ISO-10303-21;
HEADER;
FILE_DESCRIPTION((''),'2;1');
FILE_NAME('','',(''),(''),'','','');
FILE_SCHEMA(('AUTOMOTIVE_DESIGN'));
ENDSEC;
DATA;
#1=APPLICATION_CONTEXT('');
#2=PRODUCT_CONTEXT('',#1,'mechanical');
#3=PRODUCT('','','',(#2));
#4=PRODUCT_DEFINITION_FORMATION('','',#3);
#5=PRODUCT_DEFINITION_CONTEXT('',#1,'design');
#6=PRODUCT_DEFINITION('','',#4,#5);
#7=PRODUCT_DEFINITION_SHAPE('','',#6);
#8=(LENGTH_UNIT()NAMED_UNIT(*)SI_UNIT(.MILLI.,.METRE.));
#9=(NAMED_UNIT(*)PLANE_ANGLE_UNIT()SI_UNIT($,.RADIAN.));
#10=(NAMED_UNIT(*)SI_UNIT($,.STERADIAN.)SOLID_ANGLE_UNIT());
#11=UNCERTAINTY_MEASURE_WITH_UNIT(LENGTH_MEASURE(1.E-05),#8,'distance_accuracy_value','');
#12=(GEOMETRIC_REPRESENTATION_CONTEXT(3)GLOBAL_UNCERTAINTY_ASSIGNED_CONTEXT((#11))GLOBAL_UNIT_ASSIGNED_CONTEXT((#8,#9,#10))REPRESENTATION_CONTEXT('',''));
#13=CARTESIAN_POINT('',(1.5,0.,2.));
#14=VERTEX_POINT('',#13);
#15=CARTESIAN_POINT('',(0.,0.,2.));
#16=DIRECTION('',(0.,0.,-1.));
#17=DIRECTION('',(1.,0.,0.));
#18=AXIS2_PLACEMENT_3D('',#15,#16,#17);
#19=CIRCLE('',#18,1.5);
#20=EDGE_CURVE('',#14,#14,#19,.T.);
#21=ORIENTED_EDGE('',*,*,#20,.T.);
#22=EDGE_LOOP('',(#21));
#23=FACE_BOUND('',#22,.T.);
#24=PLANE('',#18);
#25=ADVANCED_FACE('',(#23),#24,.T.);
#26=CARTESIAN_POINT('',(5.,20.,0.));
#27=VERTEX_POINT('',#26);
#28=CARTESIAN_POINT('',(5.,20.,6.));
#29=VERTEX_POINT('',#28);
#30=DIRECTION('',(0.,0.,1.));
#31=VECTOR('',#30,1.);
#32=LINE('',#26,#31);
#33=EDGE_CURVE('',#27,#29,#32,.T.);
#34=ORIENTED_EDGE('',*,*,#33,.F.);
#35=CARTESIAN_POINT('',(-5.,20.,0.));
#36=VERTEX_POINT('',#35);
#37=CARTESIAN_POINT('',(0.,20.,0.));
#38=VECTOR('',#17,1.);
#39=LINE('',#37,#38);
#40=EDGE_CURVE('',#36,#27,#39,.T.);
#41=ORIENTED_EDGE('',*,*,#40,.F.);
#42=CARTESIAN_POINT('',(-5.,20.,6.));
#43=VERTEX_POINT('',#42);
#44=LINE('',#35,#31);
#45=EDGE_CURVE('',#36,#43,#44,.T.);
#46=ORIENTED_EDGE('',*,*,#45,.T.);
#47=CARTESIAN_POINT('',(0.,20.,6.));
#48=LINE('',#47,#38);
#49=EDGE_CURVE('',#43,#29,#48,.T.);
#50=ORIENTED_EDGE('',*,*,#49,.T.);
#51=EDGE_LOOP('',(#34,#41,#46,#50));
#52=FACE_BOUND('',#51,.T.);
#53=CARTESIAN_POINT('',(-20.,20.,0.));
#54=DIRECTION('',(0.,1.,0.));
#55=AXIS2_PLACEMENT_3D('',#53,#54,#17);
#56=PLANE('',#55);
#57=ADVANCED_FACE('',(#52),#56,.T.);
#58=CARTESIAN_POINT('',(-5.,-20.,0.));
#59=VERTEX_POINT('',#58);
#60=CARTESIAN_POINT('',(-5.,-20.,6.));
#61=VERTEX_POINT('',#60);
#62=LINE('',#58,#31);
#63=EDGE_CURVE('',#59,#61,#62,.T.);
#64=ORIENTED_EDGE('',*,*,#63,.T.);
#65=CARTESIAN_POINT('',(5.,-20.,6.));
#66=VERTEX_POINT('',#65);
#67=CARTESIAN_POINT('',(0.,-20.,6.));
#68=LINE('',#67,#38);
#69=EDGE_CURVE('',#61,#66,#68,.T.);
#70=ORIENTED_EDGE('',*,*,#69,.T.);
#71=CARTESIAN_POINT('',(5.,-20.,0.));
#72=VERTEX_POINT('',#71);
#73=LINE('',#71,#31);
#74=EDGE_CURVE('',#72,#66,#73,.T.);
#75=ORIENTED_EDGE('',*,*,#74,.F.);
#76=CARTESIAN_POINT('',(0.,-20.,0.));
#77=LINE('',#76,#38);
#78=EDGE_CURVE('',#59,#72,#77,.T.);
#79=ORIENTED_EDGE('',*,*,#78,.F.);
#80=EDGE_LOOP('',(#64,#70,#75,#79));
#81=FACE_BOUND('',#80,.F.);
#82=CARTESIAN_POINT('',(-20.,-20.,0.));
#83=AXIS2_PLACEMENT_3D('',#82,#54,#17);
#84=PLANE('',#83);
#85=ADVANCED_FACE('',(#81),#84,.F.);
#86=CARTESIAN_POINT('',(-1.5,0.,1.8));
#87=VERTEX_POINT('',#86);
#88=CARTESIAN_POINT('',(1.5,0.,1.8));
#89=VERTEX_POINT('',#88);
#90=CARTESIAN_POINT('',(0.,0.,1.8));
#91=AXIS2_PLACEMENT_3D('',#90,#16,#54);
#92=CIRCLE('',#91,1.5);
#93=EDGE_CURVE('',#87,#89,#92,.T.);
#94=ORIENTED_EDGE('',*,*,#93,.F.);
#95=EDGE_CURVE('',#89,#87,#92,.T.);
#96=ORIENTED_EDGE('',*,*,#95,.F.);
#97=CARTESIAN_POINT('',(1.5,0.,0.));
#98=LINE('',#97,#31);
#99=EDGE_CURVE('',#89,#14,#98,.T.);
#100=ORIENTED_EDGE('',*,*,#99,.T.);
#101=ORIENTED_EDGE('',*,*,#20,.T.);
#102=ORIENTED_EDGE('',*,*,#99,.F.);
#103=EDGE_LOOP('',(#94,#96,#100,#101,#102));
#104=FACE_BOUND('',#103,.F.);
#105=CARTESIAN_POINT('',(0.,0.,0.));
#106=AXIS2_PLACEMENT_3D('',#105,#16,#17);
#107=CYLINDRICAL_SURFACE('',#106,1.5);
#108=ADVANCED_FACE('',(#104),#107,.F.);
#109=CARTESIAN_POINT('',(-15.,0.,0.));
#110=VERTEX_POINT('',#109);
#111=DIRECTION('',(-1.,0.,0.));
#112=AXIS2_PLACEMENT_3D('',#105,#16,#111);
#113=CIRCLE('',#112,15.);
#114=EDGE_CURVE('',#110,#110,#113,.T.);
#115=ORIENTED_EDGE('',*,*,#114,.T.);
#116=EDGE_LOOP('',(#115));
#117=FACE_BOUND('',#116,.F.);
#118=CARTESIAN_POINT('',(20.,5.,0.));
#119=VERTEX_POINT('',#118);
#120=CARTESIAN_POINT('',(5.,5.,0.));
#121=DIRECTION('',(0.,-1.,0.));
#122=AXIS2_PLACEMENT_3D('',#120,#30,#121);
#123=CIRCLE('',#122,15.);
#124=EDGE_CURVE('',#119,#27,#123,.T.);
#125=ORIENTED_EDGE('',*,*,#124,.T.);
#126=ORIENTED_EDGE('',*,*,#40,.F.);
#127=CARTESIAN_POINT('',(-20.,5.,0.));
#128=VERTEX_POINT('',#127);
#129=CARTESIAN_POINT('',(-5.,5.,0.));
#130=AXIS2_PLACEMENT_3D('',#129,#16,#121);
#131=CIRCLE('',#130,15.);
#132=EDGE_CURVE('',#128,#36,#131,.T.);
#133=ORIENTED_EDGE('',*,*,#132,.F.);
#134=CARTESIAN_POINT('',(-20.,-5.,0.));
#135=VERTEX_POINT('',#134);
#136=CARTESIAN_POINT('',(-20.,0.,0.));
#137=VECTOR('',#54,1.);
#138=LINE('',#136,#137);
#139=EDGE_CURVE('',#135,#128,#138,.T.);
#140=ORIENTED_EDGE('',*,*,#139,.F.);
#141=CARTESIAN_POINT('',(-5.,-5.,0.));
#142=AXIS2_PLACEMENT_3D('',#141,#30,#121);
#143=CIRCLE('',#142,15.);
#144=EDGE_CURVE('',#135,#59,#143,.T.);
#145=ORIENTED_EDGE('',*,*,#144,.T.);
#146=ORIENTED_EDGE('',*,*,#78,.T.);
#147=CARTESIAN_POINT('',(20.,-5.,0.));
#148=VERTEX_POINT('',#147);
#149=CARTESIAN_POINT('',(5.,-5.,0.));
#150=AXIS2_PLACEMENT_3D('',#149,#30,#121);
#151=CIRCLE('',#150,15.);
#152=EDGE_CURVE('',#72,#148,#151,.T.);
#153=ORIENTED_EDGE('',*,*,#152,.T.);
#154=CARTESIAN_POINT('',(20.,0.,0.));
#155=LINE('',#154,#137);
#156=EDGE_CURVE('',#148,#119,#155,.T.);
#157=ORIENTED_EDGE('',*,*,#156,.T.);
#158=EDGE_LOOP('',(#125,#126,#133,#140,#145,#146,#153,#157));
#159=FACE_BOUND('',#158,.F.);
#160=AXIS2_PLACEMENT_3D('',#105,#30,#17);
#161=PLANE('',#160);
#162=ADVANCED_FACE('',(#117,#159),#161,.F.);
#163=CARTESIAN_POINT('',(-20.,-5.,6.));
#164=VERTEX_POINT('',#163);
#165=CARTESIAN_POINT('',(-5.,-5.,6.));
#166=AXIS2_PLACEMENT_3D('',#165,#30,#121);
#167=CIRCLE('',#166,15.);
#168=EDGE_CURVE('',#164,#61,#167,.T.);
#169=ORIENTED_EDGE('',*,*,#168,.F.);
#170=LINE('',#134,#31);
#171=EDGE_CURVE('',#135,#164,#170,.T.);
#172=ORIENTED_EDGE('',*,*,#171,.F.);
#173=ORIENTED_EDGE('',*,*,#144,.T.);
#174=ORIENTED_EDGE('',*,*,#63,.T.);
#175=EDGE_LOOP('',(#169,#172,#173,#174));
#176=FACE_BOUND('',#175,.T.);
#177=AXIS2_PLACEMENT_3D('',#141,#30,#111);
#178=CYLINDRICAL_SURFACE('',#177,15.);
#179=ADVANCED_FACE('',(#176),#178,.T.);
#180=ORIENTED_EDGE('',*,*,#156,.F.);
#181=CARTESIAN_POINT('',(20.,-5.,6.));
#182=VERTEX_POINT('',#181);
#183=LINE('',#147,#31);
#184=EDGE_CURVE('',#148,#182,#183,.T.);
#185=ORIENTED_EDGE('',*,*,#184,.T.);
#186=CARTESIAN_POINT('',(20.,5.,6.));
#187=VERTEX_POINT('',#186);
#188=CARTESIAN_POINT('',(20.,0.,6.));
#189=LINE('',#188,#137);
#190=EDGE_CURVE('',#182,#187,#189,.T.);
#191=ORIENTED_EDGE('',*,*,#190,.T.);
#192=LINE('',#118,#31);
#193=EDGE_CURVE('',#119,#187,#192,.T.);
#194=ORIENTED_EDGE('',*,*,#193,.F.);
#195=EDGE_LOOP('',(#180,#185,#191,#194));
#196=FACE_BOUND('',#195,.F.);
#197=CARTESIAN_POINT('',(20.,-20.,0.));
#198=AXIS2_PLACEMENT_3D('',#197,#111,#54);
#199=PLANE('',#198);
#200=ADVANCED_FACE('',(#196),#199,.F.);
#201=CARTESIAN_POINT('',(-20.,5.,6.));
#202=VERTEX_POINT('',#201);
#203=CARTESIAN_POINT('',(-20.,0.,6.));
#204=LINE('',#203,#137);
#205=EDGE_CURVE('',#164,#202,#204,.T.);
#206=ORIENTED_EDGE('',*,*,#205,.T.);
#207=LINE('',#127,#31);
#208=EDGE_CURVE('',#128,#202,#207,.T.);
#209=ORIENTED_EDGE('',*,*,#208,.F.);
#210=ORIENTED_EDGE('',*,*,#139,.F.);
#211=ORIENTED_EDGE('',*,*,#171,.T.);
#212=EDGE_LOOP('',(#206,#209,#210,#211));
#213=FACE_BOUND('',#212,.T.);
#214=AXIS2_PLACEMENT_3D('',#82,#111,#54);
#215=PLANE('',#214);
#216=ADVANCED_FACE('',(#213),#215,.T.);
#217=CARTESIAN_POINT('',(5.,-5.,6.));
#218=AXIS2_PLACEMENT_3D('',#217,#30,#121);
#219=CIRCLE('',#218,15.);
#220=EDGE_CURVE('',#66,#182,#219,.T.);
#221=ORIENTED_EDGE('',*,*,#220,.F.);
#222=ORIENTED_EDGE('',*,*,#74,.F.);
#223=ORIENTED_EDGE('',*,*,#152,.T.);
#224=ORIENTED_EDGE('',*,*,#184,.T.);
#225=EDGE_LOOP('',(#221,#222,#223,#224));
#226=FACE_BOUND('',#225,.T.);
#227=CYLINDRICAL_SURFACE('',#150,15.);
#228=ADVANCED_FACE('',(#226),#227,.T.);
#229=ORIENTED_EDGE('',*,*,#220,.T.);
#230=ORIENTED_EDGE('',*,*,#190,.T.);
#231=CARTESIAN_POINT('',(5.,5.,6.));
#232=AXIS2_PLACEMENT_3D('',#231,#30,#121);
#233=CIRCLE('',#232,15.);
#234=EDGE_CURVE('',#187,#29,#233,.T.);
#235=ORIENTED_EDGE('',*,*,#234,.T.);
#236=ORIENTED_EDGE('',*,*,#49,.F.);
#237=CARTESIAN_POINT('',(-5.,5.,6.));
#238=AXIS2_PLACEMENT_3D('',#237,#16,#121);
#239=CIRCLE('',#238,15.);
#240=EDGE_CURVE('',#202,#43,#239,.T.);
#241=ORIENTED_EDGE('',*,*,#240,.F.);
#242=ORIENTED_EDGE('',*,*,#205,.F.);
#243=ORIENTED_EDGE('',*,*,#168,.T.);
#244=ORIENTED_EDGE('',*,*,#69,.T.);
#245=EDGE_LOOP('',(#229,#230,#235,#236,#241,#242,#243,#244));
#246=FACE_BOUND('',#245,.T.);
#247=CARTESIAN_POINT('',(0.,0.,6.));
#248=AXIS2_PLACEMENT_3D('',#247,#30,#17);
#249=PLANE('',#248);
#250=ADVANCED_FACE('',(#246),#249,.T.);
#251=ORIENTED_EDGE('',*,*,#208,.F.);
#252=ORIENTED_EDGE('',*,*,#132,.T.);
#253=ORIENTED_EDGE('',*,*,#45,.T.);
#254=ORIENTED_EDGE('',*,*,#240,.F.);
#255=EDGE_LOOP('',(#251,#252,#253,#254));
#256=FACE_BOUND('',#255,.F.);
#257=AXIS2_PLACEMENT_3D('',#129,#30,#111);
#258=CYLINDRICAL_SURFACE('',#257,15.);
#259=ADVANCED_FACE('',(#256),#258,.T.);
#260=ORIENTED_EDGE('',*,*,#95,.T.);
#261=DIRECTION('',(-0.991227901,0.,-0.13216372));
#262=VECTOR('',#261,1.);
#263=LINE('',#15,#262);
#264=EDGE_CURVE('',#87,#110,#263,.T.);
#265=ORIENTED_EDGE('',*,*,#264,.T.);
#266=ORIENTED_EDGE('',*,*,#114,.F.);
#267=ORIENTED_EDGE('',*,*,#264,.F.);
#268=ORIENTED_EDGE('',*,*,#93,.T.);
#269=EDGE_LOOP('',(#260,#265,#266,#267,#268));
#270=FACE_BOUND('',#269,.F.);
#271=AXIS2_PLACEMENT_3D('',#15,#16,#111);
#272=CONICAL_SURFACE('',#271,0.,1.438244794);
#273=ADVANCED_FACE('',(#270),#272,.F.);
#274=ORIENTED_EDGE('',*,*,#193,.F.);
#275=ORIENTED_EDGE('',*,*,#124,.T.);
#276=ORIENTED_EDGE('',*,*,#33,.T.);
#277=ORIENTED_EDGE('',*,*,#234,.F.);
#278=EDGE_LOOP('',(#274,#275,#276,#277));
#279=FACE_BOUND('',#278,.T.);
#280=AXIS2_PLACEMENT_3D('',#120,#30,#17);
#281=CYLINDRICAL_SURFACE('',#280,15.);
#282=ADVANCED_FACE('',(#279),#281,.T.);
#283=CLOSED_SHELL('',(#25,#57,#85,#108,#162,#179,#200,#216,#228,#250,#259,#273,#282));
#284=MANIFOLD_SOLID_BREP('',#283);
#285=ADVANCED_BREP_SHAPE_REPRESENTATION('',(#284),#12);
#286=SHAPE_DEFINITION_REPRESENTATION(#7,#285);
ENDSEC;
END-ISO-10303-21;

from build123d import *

# Parameters (mm, degrees)
F0_W     = 40
F0_H     = 40
F1_DEPTH = 6
F2_R     = 15
F3_R     = 1.5
F4_DEPTH = 2


with BuildPart() as f1:
    # F0 (on Top) → F1 (new body)
    with BuildSketch(Plane.XY):
        Rectangle(F0_W, F0_H)
    extrude(amount=F1_DEPTH)

    # F2
    f2_edges = [f1.edges().sort_by_distance(p)[0] for p in [
        (-20, 20, 3),
        (20, 20, 3),
        (20, -20, 3),
        (-20, -20, 3),
    ]]
    fillet(f2_edges, radius=F2_R)

    # F3 (on face) → F4 (cut)
    with BuildSketch(Plane(origin=(0, 0, 0), x_dir=(1, 0, 0), z_dir=(0, 0, -1))):
        Circle(F3_R)
    extrude(amount=-F4_DEPTH, mode=Mode.SUBTRACT)

    # F5 (on Front) → F6 (revolve, cut)
    with BuildSketch(Plane.XZ):
        Polygon((0, 0), (0, 2), (-15, 0), align=None)
    revolve(axis=Axis((0, 0, 1), (0, 0, -1)), mode=Mode.SUBTRACT)


solid = f1.part
